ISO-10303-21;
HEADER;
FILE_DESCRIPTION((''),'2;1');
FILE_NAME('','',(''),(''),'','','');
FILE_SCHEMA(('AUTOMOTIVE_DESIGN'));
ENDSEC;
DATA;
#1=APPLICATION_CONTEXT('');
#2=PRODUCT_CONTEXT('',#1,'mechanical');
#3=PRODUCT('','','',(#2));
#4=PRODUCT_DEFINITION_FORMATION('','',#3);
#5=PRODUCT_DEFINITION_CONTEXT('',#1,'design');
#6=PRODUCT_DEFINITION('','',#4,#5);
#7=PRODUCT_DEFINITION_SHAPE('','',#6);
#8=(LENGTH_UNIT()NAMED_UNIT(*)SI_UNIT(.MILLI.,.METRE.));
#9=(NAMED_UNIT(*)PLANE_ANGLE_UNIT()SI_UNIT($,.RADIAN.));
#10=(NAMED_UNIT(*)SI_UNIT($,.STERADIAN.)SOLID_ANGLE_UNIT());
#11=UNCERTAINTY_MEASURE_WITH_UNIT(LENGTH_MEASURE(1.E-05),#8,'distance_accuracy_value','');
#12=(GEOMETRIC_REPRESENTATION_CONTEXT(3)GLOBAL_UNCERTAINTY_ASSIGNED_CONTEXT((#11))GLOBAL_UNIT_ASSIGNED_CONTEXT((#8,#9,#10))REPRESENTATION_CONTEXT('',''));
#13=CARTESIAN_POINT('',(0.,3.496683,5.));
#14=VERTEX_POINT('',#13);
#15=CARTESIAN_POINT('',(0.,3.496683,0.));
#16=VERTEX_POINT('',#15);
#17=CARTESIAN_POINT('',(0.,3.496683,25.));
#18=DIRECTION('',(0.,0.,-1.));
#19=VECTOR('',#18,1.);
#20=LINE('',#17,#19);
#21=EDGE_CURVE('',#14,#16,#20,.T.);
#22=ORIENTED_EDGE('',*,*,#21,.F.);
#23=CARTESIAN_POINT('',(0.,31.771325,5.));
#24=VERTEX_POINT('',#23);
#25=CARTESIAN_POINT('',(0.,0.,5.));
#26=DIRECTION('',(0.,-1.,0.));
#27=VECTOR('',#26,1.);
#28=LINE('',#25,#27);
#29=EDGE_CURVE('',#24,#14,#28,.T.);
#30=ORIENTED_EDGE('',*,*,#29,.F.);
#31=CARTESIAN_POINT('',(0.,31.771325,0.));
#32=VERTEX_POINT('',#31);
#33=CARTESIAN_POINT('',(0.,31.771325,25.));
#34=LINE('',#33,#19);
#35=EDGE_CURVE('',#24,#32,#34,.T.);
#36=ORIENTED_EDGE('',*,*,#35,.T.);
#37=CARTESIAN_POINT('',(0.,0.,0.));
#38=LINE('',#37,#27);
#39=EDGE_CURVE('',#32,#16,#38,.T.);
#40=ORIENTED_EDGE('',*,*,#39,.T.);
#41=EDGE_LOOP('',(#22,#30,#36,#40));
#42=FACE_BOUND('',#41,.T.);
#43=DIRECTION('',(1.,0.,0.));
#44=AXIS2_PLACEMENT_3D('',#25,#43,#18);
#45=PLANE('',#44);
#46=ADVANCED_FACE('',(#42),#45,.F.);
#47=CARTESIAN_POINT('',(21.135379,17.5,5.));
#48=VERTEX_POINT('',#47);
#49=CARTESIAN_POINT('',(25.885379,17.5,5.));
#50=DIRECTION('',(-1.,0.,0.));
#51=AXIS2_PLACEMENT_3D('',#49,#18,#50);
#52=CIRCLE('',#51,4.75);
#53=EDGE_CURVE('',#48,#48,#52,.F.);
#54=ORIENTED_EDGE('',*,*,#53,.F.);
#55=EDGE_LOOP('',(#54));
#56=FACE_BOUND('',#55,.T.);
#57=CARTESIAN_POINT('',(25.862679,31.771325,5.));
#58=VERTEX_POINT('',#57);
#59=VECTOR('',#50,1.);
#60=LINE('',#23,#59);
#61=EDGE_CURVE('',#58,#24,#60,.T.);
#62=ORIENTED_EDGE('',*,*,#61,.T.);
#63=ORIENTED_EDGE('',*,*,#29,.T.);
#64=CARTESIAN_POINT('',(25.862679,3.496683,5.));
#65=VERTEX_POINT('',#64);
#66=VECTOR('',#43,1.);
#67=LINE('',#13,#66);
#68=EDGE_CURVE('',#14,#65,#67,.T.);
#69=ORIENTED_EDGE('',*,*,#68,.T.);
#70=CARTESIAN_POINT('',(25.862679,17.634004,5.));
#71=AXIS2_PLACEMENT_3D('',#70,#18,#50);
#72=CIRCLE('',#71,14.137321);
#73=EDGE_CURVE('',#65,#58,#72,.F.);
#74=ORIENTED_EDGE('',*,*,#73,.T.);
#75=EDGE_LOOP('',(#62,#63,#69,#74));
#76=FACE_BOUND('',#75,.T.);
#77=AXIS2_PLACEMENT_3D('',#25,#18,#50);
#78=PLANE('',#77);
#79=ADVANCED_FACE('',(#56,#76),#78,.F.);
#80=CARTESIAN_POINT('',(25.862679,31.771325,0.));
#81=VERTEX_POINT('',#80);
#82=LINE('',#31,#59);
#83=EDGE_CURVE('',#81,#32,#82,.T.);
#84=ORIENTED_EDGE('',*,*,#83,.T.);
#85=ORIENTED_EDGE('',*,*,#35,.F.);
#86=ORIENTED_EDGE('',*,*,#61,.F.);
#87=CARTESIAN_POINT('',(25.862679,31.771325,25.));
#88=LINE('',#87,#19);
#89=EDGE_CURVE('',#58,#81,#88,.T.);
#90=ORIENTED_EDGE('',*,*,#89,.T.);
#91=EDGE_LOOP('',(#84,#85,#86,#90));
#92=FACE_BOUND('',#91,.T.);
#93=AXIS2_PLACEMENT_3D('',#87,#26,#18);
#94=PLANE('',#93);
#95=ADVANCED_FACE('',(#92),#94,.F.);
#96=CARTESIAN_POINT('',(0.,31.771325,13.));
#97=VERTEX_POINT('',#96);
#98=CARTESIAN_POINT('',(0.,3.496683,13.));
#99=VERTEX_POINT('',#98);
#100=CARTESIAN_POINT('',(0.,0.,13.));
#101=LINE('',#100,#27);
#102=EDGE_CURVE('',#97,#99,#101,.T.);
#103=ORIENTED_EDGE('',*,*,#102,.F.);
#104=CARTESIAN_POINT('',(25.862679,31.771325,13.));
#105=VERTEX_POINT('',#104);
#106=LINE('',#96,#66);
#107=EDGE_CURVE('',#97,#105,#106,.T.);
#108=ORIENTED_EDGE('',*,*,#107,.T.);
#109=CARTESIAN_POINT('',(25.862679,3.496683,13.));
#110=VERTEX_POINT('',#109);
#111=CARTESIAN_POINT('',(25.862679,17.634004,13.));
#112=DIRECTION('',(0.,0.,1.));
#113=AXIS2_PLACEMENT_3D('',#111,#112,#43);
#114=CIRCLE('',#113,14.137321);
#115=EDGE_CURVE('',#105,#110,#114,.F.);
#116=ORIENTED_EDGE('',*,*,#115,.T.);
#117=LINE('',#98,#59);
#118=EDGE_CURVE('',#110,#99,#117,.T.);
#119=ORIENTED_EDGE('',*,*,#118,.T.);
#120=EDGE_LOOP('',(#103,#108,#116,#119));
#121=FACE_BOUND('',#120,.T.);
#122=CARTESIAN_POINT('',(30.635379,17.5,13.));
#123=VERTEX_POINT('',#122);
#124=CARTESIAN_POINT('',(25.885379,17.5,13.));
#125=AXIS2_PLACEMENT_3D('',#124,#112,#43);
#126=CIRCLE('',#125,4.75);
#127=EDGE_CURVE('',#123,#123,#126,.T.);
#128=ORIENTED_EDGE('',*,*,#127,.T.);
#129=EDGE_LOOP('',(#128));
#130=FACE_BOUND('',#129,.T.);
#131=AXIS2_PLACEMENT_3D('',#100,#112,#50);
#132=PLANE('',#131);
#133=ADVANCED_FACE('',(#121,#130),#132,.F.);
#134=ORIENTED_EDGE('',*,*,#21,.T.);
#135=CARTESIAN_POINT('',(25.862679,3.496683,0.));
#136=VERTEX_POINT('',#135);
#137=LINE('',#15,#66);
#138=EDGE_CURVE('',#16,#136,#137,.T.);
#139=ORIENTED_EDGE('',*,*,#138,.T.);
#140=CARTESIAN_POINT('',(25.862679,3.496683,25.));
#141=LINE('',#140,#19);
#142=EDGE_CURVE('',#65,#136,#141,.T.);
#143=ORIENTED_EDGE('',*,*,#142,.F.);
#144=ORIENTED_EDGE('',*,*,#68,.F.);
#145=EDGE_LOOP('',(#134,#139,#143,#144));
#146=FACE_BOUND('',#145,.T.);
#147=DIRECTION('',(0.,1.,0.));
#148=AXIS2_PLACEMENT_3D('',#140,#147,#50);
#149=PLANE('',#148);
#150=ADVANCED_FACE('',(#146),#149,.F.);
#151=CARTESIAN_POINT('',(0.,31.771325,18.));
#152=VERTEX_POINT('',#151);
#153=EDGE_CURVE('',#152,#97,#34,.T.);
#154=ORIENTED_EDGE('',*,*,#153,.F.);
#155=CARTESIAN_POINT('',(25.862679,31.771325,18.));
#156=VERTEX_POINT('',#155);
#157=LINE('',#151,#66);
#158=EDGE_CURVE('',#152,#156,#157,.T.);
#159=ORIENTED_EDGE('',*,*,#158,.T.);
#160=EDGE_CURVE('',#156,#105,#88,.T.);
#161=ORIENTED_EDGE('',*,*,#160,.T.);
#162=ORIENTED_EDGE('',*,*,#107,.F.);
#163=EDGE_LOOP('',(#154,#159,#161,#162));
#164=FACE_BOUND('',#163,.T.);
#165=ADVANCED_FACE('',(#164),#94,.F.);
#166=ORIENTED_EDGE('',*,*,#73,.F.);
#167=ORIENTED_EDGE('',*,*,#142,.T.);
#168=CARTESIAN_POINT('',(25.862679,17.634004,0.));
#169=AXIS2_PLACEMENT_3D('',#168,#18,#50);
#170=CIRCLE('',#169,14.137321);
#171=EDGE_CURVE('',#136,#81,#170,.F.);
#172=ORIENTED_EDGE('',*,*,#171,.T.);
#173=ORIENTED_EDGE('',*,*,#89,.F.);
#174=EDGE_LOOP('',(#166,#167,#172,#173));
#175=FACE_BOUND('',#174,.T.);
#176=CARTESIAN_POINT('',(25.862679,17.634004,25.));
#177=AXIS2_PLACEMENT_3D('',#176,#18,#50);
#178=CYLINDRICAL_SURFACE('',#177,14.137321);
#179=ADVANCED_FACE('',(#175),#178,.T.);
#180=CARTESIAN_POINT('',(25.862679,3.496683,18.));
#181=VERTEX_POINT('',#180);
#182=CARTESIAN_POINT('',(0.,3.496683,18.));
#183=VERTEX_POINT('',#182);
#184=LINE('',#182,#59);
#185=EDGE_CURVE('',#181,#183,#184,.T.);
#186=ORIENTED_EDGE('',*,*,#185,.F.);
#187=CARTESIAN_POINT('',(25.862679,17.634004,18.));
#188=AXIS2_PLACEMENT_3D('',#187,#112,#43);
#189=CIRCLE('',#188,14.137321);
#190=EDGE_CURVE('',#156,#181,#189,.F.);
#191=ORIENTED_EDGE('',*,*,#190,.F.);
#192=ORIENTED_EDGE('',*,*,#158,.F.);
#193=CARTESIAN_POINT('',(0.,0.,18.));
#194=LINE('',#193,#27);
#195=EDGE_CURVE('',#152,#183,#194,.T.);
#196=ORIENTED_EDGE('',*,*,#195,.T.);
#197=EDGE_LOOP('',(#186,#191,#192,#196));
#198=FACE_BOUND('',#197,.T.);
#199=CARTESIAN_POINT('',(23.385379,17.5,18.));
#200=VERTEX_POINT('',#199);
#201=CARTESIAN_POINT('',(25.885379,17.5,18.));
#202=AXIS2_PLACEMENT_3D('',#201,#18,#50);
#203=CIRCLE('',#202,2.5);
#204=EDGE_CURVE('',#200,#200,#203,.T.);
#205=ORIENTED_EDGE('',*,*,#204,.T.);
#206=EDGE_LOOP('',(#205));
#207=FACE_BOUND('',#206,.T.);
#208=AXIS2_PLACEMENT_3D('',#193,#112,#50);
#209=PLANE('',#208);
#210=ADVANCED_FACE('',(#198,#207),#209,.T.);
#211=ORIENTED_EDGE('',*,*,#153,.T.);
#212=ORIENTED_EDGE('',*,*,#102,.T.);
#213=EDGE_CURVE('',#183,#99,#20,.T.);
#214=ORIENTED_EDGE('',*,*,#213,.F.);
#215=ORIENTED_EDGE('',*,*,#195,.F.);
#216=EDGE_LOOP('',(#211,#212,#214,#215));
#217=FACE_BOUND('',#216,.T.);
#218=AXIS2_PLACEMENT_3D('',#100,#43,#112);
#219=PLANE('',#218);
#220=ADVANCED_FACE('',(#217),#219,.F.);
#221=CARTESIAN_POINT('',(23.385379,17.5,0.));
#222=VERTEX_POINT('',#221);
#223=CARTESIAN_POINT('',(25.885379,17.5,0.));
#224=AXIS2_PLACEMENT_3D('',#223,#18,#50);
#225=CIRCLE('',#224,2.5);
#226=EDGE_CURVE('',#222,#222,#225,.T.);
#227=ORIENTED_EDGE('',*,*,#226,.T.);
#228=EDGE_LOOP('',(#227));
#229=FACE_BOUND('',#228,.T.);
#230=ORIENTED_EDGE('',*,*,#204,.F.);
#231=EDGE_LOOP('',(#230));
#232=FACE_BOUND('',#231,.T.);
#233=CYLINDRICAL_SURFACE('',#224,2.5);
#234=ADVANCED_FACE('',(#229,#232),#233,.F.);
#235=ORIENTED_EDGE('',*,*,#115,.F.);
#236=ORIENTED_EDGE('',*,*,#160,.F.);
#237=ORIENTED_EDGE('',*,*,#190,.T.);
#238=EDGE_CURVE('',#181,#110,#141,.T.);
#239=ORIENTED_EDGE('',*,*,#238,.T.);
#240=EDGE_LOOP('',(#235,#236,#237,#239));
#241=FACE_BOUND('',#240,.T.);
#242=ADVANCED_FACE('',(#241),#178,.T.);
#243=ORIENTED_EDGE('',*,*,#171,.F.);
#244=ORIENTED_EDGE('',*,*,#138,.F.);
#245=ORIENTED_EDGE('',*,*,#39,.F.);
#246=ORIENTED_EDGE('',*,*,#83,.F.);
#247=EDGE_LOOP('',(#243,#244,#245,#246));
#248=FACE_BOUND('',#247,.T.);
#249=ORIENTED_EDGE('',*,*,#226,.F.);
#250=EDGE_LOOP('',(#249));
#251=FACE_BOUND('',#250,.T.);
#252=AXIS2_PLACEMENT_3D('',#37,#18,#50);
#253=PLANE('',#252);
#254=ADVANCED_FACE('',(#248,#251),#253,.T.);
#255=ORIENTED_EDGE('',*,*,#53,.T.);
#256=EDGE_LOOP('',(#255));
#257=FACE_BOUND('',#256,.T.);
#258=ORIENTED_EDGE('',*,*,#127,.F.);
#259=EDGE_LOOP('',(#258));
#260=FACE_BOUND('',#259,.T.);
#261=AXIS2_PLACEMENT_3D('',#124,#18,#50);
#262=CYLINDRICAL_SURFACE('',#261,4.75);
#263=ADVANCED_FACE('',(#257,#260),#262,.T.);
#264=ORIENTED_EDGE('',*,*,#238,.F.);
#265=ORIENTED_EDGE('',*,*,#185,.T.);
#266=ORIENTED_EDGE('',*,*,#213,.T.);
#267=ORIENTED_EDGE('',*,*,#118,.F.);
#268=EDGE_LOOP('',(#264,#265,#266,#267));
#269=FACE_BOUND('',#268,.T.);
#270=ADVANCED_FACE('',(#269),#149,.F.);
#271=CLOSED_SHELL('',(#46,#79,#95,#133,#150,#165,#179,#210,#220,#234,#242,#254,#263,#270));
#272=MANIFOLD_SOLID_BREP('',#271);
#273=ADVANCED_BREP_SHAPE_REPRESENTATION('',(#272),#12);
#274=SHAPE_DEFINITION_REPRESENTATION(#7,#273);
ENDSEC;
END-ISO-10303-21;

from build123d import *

# Parameters (mm, degrees)
SKETCH2_W               = 40
SKETCH2_H               = 35
BOSS_EXTRUDE1_DEPTH     = 5
SKETCH4_R               = 4.75
BOSS_EXTRUDE2_DEPTH     = 8
SKETCH6_OUTSIDE_W       = 53.224
SKETCH6_OUTSIDE_H       = 48.224
CUT_EXTRUDE2_DEPTH      = 20
CUT_EXTRUDE2_DEPTH_BACK = 20
M6X1_0_TAPPED_HOLE1_D   = 5


with BuildPart() as part:
    # Sketch2 → Boss-Extrude1 (new body)
    with BuildSketch(Plane.XY):
        with Locations((20, 17.5)):
            Rectangle(SKETCH2_W, SKETCH2_H)
    extrude(amount=BOSS_EXTRUDE1_DEPTH)

    # Sketch4 → Boss-Extrude2 (add)
    with BuildSketch(Plane.XY.offset(5)):
        with Locations((25.885379028, 17.5)):
            Circle(SKETCH4_R)
    extrude(amount=BOSS_EXTRUDE2_DEPTH)

    # Mirror4: part across plane


with BuildPart() as part_1:
    add(part.part)
    add(part.part.mirror(Plane.XY.offset(9)))

    # Sketch6 outside → Cut-Extrude2 (cut, two sides)
    with BuildSketch(Plane.XY.offset(5)) as cut_extrude2_sk:
        with Locations((20, 17.5)):
            Rectangle(SKETCH6_OUTSIDE_W, SKETCH6_OUTSIDE_H)
        with BuildLine():
            Line((25.86267887, 31.77132519), (0, 31.77132519))
            Line((0, 31.77132519), (0, 3.496682929))
            Line((0, 3.496682929), (25.86267887, 3.496682929))
            ThreePointArc((25.86267887, 3.496682929), (40, 17.63400406), (25.86267887, 31.77132519))
        make_face(mode=Mode.SUBTRACT)
    extrude(amount=CUT_EXTRUDE2_DEPTH, mode=Mode.SUBTRACT)
    extrude(cut_extrude2_sk.sketch, amount=-CUT_EXTRUDE2_DEPTH_BACK, mode=Mode.SUBTRACT)

    # M6x1.0 Tapped Hole1 (through all)
    with Locations(Plane(origin=(0, 0, 0), x_dir=(-1, 0, 0), z_dir=(0, 0, -1))):
        with Locations((-25.885379028, 17.5)):
            Hole(M6X1_0_TAPPED_HOLE1_D / 2)


solid = part_1.part
